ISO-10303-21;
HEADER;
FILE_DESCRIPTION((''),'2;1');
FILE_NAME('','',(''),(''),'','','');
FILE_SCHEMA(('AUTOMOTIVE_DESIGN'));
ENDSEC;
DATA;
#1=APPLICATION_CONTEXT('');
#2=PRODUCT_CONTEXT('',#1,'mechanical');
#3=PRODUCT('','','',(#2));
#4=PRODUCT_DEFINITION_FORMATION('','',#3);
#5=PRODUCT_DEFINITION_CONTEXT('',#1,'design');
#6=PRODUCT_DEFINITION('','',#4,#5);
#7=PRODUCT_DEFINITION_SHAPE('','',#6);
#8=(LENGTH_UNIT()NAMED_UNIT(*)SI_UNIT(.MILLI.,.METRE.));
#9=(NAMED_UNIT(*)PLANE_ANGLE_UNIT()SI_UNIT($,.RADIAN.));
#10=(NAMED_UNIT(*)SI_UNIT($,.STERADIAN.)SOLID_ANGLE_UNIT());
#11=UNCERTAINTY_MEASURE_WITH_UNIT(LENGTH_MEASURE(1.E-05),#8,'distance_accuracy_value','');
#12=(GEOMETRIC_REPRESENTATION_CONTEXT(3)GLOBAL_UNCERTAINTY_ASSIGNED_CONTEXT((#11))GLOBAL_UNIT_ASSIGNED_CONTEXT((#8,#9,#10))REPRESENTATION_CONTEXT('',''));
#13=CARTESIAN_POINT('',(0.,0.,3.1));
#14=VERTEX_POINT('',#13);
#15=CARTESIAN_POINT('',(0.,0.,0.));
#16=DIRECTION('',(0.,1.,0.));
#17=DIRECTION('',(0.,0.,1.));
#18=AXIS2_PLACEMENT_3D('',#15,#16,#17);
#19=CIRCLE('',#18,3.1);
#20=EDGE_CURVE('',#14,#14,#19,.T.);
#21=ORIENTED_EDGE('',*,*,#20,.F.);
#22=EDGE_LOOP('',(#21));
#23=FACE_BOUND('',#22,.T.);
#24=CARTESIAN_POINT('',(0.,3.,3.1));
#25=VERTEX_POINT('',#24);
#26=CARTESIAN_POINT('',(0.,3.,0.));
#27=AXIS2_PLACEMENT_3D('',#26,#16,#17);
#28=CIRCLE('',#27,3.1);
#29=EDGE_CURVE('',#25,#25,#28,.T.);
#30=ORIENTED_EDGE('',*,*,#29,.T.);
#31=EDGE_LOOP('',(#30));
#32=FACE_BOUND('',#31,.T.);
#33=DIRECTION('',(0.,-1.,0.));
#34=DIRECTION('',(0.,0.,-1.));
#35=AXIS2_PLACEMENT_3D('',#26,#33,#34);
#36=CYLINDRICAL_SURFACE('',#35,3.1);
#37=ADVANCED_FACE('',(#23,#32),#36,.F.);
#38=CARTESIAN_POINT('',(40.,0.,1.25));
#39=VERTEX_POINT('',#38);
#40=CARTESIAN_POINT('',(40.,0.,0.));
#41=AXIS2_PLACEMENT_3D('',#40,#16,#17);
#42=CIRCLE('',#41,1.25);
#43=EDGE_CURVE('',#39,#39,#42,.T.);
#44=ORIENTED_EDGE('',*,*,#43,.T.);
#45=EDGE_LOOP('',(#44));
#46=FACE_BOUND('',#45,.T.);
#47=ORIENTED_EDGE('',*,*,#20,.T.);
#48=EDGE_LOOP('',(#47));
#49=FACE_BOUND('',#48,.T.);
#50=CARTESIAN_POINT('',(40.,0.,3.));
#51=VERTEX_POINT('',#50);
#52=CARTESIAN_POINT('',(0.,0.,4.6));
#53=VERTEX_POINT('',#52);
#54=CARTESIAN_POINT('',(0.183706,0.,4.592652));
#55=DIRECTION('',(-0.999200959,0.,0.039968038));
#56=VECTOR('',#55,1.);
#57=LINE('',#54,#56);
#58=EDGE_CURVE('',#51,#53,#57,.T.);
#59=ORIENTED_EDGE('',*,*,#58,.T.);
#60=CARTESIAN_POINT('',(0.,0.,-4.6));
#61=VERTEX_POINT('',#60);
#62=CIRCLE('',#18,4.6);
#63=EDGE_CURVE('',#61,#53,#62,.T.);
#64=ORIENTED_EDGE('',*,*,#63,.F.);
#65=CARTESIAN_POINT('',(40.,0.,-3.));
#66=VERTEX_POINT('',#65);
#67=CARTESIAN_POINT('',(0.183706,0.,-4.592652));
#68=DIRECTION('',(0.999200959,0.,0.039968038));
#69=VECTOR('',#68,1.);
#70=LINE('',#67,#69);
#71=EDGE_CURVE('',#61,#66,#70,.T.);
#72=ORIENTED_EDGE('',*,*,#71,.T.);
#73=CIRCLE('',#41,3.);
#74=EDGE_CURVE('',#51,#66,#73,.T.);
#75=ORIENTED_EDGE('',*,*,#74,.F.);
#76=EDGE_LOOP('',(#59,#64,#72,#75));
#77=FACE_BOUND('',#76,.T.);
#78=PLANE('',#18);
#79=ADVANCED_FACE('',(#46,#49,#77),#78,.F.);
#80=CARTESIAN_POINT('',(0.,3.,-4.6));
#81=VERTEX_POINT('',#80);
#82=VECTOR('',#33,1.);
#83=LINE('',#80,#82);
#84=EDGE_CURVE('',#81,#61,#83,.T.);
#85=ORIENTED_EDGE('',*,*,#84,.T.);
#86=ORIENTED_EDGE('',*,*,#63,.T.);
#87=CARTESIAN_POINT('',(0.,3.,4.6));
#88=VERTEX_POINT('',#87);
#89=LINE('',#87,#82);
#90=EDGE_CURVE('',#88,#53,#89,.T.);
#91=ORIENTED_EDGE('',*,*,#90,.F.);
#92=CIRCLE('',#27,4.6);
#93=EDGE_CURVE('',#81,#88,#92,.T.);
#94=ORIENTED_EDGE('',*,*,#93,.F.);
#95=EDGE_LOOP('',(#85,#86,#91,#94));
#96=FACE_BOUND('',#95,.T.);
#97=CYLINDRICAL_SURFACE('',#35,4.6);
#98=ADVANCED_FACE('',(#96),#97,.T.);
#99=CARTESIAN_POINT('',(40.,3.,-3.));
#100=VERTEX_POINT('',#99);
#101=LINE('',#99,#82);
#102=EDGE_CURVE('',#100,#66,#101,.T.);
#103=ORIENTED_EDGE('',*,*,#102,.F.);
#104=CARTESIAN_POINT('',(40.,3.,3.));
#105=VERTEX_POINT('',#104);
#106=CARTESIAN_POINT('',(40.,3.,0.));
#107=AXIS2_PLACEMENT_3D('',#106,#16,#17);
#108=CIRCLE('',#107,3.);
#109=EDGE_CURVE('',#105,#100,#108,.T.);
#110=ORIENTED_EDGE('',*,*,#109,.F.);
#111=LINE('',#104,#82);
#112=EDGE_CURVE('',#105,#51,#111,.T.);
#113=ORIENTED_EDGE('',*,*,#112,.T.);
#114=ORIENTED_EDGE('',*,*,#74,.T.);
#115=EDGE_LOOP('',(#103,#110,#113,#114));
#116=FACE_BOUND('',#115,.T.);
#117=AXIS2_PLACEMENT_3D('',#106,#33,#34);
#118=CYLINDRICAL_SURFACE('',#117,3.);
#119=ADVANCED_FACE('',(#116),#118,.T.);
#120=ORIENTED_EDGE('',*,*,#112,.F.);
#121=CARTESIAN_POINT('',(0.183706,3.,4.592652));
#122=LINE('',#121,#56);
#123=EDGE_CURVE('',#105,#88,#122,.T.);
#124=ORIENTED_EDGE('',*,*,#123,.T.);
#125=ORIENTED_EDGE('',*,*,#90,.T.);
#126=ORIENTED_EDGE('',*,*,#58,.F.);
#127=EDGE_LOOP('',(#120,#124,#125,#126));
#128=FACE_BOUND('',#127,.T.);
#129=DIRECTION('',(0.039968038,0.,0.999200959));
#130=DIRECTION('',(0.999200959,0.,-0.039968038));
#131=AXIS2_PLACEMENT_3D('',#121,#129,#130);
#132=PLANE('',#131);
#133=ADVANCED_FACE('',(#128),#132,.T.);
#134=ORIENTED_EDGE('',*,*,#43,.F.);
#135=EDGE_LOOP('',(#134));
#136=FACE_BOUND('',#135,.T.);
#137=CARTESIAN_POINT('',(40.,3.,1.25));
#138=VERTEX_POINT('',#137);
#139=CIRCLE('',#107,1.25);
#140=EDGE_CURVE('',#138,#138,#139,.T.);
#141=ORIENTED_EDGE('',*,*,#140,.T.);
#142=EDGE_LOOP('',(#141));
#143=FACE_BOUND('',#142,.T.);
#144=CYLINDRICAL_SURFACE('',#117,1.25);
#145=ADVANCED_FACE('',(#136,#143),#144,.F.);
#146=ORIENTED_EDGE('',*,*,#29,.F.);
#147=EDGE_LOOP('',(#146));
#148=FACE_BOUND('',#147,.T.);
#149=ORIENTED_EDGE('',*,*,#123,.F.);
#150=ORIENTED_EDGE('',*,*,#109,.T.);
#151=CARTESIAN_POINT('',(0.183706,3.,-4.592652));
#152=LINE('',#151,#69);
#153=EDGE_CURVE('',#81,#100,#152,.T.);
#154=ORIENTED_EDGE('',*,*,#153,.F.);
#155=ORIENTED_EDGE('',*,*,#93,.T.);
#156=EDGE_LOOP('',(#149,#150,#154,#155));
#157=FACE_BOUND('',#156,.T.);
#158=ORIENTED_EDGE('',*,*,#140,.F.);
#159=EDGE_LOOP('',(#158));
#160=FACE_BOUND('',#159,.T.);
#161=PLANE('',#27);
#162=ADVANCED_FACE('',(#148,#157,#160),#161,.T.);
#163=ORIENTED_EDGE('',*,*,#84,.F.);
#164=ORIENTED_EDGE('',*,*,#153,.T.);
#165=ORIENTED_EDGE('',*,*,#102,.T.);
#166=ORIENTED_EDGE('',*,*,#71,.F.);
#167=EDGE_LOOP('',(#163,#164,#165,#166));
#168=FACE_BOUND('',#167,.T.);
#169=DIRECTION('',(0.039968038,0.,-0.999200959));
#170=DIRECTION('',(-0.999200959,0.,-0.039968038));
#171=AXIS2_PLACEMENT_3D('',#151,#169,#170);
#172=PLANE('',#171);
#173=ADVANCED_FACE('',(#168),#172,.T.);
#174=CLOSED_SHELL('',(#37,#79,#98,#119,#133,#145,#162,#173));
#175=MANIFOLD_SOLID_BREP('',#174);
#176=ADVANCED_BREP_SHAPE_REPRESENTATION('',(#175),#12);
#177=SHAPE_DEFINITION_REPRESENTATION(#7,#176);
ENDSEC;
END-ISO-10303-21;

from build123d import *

# Parameters (mm, degrees)
SKETCH1_R           = 3.1
SKETCH1_R_2         = 3
SKETCH1_R_3         = 1.25
BOSS_EXTRUDE1_DEPTH = 3


with BuildPart() as part:
    # Sketch1 → Boss-Extrude1 (new body)
    with BuildSketch(Plane(origin=(0, 0, 0), x_dir=(1, 0, 0), z_dir=(0, 1, 0))):
        with BuildLine():
            Line((40, 3), (0.367412141, 4.585303514))
            ThreePointArc((0.367412141, 4.585303514), (3.380095845, 3.120088473), (4.6, 0))
            ThreePointArc((4.6, 0), (3.380095845, -3.120088473), (0.367412141, -4.585303514))
            Line((0.367412141, -4.585303514), (40, -3))
            ThreePointArc((40, -3), (37, 0), (40, 3))
        make_face()
        with BuildLine():
            Line((0.367412141, 4.585303514), (0, 4.6))
            ThreePointArc((0, 4.6), (-4.6, 0), (0, -4.6))
            Line((0, -4.6), (0.367412141, -4.585303514))
            ThreePointArc((0.367412141, -4.585303514), (3.380095845, -3.120088473), (4.6, 0))
            ThreePointArc((4.6, 0), (3.380095845, 3.120088473), (0.367412141, 4.585303514))
        make_face()
        Circle(SKETCH1_R, mode=Mode.SUBTRACT)
        with Locations((40, 0)):
            Circle(SKETCH1_R_2)
        with Locations((40, 0)):
            Circle(SKETCH1_R_3, mode=Mode.SUBTRACT)
    extrude(amount=BOSS_EXTRUDE1_DEPTH)


solid = part.part
